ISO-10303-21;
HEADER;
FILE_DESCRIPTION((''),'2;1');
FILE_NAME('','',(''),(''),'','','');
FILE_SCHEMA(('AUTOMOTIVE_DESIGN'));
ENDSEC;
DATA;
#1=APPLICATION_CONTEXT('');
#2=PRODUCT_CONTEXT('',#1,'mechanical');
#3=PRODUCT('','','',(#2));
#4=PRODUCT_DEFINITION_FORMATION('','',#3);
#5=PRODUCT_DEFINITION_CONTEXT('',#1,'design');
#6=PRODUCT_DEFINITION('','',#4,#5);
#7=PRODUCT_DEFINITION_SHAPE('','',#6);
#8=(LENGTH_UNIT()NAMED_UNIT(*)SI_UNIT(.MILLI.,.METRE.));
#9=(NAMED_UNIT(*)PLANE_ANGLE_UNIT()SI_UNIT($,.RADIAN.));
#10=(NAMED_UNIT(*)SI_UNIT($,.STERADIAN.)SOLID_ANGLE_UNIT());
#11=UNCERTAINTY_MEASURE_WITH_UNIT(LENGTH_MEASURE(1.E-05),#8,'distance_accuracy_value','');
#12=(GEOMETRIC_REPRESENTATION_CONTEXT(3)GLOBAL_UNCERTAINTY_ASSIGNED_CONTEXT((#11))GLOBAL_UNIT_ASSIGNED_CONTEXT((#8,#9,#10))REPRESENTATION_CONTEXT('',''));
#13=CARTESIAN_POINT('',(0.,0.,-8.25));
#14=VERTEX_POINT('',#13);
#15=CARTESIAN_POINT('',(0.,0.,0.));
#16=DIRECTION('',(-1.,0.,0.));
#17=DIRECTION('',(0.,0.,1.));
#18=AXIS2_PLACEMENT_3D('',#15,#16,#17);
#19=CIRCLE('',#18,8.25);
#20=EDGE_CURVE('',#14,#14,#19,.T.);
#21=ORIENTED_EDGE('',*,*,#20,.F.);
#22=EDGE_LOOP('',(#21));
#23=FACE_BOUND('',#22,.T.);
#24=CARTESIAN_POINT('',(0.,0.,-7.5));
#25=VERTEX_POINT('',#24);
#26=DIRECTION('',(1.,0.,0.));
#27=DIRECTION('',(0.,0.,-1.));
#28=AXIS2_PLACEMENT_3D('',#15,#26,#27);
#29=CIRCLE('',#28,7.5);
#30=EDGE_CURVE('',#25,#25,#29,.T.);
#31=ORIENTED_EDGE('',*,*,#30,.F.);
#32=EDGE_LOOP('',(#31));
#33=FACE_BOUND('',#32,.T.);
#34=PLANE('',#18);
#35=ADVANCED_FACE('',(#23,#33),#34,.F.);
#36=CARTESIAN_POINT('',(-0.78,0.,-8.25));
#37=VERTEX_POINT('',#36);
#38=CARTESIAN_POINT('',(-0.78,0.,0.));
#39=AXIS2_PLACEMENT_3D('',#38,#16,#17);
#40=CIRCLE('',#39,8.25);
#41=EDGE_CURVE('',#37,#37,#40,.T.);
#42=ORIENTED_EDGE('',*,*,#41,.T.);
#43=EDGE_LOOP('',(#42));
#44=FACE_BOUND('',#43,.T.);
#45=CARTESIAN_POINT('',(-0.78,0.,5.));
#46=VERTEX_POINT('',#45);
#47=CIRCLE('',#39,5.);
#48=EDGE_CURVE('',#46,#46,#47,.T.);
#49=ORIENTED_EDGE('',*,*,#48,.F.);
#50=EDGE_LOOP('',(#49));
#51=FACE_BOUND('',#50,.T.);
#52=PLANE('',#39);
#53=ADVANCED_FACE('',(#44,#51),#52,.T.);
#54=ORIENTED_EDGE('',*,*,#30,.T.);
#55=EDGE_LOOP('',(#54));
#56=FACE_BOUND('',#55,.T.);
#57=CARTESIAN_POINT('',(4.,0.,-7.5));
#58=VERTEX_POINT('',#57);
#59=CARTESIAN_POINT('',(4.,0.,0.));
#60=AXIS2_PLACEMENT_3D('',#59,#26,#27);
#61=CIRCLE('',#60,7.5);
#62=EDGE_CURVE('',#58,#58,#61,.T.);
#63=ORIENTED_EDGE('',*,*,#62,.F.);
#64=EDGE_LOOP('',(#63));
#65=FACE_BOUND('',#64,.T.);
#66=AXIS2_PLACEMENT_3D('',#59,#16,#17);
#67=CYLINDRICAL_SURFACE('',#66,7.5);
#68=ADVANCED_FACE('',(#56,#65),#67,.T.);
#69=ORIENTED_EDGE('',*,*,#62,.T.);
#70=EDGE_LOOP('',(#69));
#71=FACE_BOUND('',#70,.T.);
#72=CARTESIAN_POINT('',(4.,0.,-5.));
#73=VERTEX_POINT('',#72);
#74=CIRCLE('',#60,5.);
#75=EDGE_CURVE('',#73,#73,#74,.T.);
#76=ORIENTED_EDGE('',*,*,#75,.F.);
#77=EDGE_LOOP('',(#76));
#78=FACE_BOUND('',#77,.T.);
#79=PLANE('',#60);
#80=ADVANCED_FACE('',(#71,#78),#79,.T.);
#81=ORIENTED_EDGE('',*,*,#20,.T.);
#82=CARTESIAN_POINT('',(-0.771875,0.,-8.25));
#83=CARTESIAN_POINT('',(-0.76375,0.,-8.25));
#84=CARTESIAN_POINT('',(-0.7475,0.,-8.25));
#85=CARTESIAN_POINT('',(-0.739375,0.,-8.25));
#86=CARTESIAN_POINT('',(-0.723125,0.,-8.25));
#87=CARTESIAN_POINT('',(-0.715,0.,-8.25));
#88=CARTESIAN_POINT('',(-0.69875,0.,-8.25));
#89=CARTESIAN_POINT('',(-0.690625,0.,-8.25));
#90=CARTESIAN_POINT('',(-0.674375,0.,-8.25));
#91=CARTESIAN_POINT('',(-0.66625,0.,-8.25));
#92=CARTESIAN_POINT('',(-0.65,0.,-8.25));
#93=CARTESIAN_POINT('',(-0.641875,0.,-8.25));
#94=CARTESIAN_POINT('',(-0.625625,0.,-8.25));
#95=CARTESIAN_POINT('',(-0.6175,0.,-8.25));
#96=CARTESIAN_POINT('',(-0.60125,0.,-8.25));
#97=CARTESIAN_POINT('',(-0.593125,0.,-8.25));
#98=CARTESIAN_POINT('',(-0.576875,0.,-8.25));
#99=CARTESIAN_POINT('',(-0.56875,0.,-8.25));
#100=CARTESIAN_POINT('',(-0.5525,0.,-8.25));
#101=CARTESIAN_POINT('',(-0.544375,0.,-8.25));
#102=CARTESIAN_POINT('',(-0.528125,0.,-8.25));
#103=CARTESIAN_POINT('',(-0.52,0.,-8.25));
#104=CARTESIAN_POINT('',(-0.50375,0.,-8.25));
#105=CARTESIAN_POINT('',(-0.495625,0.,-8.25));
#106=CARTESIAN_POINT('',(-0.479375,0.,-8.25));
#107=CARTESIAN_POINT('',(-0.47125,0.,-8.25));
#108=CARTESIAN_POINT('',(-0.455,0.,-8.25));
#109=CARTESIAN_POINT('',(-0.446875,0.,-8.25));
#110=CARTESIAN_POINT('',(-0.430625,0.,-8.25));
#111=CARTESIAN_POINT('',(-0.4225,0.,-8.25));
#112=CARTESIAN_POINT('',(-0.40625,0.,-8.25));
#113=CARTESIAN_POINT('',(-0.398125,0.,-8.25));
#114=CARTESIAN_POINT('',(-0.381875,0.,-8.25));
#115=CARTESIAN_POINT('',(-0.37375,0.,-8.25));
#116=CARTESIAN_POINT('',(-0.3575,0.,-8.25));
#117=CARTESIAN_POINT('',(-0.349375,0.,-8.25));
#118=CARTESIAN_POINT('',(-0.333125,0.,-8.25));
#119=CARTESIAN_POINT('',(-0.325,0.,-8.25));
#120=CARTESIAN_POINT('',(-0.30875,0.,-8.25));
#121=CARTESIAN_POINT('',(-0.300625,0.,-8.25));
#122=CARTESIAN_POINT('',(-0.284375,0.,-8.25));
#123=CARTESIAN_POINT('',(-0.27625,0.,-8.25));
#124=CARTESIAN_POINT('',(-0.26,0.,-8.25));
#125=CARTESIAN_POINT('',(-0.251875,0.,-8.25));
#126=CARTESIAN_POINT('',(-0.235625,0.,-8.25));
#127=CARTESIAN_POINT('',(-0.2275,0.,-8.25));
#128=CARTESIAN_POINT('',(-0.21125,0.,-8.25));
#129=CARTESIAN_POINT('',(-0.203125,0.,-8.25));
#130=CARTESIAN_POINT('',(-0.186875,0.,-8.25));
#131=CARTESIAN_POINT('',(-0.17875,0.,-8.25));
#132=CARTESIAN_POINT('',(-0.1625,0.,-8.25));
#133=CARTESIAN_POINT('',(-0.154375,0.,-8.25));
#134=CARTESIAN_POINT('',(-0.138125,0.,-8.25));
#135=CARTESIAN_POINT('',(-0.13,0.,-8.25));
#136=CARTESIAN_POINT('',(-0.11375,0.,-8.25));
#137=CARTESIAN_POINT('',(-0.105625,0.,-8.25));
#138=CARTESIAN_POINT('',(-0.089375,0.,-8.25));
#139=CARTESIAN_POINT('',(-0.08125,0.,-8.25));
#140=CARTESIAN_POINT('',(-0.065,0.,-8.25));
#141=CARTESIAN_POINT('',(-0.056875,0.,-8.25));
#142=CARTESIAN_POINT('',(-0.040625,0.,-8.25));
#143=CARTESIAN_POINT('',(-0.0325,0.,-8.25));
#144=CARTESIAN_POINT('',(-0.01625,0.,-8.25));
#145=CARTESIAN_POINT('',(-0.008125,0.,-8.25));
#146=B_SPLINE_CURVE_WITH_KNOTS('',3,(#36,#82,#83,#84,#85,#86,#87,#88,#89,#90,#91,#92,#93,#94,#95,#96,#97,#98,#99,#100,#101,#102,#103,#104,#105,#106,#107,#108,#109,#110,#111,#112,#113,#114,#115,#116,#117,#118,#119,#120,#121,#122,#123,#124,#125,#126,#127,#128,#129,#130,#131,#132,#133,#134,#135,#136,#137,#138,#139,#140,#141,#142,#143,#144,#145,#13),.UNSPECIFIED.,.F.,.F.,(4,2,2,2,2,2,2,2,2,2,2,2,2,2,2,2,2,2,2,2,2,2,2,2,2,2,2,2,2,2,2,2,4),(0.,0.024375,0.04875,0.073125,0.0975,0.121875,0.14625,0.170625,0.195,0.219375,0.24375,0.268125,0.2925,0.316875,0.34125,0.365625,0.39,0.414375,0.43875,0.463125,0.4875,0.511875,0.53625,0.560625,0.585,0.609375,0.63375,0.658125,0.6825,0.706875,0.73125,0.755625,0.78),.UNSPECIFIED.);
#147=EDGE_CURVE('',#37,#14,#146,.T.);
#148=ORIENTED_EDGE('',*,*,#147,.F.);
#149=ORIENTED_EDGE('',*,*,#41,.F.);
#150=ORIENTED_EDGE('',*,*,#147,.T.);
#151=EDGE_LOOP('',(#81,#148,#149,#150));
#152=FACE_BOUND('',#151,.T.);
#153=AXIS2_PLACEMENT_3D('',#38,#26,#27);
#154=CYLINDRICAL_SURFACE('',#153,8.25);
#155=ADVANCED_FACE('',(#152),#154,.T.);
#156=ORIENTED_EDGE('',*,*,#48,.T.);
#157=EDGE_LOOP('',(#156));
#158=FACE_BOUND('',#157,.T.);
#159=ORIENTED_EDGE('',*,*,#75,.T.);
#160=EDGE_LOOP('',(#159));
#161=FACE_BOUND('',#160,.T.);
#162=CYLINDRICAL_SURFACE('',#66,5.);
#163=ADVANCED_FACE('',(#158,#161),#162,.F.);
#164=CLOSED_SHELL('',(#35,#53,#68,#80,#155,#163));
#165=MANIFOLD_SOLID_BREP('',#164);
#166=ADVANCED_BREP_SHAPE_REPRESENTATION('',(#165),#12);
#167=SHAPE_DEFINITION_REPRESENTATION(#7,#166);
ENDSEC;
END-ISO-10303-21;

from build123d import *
from build123d.topology import SkipClean

# Parameters (mm, degrees)
SKETCH_1_R      = 7.5
SKETCH_1_R_2    = 5
EXTRUDE_3_DEPTH = 4
EXTRUDE_START   = 0.78
SKETCH_3_R      = 8.25
SKETCH_3_R_2    = 5
EXTRUDE_4_DEPTH = 0.78


with BuildPart() as part:
    # 草图1 → 凸台-拉伸3 (new body)
    with BuildSketch(Plane(origin=(0, 0, 0), x_dir=(0, 0, -1), z_dir=(1, 0, 0))):
        Circle(SKETCH_1_R)
        Circle(SKETCH_1_R_2, mode=Mode.SUBTRACT)
    extrude(amount=EXTRUDE_3_DEPTH)

    # 草图3 → 凸台-拉伸4 (add)
    with SkipClean():  # the faces are left unmerged after this step: merging them gives an invalid solid
        with BuildSketch(Plane.ZY.offset(EXTRUDE_START)):
            with Locations(Location((0, 0, 0), (0, 0, 180))):
                Circle(SKETCH_3_R)
            Circle(SKETCH_3_R_2, mode=Mode.SUBTRACT)
        extrude(amount=-EXTRUDE_4_DEPTH)


solid = part.part
